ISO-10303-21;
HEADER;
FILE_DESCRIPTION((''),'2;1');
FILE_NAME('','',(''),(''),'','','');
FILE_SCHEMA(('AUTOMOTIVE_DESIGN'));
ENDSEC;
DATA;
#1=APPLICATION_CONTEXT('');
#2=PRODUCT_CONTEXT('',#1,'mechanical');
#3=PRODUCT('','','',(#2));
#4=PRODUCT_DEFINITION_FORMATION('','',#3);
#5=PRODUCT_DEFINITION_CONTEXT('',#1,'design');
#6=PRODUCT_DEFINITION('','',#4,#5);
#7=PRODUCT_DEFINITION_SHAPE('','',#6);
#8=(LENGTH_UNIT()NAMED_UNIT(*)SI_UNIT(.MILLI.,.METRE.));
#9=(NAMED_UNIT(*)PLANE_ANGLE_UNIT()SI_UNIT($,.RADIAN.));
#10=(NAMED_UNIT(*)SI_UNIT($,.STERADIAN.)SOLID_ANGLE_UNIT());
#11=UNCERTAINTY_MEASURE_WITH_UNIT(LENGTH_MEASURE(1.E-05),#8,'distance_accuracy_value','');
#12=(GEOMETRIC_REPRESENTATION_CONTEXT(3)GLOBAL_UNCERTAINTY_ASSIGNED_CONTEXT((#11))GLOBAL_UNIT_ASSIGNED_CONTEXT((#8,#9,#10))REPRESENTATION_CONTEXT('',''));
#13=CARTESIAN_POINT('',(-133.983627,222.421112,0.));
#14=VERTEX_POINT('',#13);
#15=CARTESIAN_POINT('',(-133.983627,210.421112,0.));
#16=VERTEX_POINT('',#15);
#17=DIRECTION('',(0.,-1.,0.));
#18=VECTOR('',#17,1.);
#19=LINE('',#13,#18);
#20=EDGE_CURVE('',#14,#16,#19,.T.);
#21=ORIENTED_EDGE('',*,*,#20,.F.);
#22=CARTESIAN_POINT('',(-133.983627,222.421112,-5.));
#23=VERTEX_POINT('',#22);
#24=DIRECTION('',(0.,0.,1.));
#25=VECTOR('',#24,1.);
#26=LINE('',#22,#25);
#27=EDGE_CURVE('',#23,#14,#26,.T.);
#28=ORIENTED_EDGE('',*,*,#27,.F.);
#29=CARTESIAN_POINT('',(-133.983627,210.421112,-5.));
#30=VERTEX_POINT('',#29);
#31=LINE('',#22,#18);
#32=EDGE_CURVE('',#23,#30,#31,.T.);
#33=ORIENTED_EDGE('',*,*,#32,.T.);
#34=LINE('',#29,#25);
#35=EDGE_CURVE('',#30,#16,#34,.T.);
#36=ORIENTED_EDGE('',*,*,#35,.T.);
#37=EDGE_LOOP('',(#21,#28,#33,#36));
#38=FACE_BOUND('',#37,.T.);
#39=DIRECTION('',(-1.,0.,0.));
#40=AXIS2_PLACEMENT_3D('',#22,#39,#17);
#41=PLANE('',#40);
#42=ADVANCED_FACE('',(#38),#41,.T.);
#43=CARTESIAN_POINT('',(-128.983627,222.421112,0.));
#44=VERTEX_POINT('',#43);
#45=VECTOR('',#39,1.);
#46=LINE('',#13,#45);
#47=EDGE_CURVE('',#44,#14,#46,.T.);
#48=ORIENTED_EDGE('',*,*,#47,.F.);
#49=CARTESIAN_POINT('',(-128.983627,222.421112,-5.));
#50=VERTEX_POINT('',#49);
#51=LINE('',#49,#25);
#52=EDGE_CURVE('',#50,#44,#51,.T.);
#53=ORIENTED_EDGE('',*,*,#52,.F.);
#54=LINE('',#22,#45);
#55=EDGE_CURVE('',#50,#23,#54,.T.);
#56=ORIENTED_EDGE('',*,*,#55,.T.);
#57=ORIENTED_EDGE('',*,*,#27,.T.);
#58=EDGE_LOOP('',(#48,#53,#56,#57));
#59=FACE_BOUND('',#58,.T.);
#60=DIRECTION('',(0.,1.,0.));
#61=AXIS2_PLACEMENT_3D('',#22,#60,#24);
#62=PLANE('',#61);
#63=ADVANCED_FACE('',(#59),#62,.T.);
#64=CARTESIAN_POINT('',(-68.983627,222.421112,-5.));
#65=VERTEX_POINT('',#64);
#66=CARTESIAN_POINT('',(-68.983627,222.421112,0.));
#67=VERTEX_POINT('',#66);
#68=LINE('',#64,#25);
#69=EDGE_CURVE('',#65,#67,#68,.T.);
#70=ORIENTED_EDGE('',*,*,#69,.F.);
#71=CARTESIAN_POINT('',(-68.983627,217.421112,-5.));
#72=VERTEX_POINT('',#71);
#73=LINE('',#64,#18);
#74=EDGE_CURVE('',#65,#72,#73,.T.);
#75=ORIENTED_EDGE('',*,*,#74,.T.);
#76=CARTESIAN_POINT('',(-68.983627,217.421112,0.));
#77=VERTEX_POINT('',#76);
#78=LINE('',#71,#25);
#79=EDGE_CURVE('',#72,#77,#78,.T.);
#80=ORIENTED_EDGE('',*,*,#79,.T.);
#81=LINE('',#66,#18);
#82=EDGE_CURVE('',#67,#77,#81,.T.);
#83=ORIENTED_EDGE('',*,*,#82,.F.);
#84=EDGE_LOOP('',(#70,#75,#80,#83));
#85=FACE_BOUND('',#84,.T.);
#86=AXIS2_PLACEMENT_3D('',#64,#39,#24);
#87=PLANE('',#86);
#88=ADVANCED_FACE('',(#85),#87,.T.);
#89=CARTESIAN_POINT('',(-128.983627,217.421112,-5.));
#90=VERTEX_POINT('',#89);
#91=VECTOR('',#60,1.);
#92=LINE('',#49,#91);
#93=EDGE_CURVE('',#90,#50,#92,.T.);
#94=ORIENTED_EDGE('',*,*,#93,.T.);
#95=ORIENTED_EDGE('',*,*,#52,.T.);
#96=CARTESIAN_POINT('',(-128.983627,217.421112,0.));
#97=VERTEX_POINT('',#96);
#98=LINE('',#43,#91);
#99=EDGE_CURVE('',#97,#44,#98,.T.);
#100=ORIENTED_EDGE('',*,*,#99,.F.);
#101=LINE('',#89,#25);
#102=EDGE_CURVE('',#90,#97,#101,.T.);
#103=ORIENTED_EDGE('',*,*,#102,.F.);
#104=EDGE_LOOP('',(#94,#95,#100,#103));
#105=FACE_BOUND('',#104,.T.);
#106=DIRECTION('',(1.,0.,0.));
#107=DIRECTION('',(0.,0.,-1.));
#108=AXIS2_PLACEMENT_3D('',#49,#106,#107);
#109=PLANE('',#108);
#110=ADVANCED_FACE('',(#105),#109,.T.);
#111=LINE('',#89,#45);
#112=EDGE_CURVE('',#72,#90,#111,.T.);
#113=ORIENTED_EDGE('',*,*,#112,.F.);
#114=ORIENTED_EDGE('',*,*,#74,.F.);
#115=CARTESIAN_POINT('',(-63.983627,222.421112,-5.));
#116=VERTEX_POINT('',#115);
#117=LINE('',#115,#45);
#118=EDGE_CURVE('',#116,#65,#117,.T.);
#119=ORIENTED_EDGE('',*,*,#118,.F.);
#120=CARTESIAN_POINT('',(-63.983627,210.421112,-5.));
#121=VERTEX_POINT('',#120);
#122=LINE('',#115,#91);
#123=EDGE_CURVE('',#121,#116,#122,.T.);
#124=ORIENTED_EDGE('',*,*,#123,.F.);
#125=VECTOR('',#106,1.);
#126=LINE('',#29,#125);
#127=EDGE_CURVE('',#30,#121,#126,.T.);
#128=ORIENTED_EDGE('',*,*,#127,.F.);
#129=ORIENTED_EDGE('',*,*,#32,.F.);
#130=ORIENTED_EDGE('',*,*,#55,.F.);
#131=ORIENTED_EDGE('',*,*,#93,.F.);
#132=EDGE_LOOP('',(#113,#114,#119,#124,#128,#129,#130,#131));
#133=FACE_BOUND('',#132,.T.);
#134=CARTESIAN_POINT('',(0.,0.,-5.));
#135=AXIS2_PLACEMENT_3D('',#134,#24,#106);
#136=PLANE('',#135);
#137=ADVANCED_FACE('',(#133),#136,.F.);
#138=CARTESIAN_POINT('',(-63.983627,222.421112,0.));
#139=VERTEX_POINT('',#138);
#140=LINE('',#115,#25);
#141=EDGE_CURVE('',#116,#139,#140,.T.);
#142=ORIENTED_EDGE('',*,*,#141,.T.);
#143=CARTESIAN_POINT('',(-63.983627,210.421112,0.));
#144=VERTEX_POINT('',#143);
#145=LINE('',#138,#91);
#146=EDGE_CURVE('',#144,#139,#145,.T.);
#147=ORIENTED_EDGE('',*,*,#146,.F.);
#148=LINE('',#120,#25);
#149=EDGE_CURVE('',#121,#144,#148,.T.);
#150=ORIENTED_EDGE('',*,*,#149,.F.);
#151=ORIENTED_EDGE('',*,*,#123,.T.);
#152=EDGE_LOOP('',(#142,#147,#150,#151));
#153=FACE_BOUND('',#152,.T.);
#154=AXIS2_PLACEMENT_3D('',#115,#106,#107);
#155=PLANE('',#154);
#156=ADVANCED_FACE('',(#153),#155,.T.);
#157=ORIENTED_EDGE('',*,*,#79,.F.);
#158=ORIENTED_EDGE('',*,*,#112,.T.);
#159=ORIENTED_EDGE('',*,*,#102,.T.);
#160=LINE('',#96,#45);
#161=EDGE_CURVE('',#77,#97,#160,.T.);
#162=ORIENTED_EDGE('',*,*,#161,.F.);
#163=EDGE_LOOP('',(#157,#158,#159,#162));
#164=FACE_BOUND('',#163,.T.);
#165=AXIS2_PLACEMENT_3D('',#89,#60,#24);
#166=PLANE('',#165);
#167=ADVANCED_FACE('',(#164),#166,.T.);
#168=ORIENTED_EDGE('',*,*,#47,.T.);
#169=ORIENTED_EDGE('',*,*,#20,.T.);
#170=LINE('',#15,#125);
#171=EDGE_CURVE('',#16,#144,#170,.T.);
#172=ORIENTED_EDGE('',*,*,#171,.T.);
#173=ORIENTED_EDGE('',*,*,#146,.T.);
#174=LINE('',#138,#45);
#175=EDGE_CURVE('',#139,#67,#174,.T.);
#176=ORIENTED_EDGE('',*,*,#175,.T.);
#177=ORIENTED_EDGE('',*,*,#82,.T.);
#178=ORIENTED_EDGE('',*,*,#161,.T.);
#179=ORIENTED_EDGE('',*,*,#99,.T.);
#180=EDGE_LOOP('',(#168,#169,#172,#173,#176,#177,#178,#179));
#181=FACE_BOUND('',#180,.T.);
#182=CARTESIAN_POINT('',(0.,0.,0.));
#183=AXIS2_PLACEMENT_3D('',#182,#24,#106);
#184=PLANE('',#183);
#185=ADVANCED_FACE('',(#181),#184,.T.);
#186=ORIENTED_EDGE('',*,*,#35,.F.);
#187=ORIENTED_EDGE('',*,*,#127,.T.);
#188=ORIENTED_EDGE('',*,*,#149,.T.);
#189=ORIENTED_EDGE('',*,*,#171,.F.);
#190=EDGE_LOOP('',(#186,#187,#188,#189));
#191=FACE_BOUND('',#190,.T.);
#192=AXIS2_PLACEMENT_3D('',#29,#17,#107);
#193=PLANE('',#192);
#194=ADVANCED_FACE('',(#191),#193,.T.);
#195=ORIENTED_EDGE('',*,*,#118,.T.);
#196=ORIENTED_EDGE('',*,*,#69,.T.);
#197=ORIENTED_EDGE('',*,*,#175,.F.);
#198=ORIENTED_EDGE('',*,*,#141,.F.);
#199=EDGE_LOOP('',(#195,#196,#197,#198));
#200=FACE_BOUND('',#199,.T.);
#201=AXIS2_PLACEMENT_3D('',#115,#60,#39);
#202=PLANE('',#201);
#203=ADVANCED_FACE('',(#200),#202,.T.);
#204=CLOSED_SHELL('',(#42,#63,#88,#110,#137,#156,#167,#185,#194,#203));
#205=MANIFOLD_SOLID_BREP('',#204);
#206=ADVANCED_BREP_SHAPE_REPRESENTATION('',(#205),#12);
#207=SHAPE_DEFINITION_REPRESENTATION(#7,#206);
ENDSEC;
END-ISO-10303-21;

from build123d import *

# Parameters (mm, degrees)
BOSS_EXTRU_1_DEPTH = 5


with BuildPart() as part:
    # Esquisse1 → Boss.-Extru.1 (new body)
    with BuildSketch(Plane.XY):
        Polygon((-133.983627477, 222.421111622), (-128.983627477, 222.421111622), (-128.983627477, 217.421111622), (-68.983627477, 217.421111622), (-68.983627477, 222.421111622), (-63.983627477, 222.421111622), (-63.983627477, 210.421111622), (-133.983627477, 210.421111622), align=None)
    extrude(amount=-BOSS_EXTRU_1_DEPTH)


solid = part.part
